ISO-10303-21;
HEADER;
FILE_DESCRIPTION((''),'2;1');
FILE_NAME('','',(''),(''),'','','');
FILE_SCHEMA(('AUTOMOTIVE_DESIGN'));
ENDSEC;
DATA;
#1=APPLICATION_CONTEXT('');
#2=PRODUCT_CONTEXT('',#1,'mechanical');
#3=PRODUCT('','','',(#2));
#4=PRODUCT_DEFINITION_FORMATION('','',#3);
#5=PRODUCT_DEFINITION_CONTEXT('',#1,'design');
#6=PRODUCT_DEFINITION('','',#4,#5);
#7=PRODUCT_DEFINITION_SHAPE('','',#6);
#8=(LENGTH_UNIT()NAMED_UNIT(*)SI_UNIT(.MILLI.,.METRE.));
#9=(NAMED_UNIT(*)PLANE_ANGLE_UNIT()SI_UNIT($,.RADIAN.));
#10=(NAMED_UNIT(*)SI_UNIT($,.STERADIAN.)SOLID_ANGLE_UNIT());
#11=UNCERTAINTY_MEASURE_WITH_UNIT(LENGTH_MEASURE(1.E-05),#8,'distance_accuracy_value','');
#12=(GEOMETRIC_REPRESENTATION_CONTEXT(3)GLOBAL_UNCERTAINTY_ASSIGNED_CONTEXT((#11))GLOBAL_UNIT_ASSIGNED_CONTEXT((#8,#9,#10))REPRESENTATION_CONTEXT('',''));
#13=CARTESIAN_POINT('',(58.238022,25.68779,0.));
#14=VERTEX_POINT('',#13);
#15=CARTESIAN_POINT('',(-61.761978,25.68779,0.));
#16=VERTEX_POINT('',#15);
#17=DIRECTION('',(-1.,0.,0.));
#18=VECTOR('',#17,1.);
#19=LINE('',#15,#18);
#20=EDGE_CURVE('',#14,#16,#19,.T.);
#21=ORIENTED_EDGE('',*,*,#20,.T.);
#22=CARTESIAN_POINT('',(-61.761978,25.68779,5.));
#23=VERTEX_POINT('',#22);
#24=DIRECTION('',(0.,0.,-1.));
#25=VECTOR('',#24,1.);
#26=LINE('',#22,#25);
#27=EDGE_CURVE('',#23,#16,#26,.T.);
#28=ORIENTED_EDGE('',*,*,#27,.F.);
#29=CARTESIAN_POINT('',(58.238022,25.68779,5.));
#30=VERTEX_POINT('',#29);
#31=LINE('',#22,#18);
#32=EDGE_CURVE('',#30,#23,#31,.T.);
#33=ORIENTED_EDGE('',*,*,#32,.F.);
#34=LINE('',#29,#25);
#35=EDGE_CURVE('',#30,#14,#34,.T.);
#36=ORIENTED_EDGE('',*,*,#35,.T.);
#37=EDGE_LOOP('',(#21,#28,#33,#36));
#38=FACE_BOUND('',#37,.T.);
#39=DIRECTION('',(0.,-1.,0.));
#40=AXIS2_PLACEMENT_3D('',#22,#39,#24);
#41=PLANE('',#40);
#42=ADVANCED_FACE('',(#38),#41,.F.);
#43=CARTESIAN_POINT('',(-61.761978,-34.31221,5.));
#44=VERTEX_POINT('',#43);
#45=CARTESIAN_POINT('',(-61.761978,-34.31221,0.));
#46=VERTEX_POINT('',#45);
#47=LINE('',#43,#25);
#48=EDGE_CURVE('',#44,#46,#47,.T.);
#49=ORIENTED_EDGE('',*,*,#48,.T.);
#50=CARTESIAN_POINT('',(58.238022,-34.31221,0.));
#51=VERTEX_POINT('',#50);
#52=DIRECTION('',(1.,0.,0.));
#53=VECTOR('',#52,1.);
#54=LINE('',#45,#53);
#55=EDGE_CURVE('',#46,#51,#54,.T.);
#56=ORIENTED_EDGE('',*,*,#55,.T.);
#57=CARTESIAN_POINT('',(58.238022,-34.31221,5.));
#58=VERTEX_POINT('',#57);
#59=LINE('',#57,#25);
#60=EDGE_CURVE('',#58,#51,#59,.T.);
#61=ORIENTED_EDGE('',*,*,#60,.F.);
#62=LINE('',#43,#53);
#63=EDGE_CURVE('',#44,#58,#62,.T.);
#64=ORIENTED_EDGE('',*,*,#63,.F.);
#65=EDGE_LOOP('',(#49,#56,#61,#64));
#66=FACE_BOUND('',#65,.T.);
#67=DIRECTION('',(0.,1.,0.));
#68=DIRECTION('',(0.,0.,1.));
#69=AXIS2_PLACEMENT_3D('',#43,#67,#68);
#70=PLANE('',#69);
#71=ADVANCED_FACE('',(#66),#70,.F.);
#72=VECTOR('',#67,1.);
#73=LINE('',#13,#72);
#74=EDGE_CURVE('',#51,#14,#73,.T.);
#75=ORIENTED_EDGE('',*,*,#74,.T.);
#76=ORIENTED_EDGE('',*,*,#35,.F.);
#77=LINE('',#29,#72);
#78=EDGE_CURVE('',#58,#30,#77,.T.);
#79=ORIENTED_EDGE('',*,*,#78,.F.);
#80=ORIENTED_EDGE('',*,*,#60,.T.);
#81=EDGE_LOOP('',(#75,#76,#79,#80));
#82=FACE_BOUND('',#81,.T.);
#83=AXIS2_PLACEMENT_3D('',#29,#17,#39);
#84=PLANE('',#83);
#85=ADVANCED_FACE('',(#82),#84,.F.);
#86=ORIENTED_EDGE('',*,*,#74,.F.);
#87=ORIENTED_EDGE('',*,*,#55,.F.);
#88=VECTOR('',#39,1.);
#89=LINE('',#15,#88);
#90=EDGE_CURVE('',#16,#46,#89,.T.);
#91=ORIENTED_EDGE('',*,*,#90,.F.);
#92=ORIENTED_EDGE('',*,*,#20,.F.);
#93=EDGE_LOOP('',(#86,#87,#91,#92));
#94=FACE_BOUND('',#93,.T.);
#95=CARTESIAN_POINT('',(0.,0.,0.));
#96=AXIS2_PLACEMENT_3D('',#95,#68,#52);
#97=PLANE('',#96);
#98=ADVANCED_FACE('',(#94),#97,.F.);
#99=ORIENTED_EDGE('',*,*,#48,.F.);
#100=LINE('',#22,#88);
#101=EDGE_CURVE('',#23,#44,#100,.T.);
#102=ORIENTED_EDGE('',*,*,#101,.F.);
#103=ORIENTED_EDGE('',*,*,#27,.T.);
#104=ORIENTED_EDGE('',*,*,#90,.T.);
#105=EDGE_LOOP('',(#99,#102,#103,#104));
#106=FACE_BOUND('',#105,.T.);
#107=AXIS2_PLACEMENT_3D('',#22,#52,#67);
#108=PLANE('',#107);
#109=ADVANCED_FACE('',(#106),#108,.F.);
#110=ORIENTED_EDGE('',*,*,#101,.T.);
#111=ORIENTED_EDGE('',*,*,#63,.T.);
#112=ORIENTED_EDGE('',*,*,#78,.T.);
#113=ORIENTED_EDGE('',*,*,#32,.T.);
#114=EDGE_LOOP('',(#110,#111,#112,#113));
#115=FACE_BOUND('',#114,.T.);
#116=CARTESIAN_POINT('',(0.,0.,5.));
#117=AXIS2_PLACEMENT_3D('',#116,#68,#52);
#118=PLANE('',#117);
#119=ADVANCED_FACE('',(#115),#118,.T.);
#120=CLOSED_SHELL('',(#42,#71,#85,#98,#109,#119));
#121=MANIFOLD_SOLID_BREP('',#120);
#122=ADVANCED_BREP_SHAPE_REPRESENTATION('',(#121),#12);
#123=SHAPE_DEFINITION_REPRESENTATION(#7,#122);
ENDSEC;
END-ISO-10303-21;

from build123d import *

# Parameters (mm, degrees)
SKETCH_1_W      = 120
SKETCH_1_H      = 60
EXTRUDE_1_DEPTH = 5


with BuildPart() as part:
    # 草图1 → 凸台-拉伸1 (new body)
    with BuildSketch(Plane.XY):
        with Locations((-1.761978362, -4.312210201)):
            Rectangle(SKETCH_1_W, SKETCH_1_H)
    extrude(amount=EXTRUDE_1_DEPTH)


solid = part.part
